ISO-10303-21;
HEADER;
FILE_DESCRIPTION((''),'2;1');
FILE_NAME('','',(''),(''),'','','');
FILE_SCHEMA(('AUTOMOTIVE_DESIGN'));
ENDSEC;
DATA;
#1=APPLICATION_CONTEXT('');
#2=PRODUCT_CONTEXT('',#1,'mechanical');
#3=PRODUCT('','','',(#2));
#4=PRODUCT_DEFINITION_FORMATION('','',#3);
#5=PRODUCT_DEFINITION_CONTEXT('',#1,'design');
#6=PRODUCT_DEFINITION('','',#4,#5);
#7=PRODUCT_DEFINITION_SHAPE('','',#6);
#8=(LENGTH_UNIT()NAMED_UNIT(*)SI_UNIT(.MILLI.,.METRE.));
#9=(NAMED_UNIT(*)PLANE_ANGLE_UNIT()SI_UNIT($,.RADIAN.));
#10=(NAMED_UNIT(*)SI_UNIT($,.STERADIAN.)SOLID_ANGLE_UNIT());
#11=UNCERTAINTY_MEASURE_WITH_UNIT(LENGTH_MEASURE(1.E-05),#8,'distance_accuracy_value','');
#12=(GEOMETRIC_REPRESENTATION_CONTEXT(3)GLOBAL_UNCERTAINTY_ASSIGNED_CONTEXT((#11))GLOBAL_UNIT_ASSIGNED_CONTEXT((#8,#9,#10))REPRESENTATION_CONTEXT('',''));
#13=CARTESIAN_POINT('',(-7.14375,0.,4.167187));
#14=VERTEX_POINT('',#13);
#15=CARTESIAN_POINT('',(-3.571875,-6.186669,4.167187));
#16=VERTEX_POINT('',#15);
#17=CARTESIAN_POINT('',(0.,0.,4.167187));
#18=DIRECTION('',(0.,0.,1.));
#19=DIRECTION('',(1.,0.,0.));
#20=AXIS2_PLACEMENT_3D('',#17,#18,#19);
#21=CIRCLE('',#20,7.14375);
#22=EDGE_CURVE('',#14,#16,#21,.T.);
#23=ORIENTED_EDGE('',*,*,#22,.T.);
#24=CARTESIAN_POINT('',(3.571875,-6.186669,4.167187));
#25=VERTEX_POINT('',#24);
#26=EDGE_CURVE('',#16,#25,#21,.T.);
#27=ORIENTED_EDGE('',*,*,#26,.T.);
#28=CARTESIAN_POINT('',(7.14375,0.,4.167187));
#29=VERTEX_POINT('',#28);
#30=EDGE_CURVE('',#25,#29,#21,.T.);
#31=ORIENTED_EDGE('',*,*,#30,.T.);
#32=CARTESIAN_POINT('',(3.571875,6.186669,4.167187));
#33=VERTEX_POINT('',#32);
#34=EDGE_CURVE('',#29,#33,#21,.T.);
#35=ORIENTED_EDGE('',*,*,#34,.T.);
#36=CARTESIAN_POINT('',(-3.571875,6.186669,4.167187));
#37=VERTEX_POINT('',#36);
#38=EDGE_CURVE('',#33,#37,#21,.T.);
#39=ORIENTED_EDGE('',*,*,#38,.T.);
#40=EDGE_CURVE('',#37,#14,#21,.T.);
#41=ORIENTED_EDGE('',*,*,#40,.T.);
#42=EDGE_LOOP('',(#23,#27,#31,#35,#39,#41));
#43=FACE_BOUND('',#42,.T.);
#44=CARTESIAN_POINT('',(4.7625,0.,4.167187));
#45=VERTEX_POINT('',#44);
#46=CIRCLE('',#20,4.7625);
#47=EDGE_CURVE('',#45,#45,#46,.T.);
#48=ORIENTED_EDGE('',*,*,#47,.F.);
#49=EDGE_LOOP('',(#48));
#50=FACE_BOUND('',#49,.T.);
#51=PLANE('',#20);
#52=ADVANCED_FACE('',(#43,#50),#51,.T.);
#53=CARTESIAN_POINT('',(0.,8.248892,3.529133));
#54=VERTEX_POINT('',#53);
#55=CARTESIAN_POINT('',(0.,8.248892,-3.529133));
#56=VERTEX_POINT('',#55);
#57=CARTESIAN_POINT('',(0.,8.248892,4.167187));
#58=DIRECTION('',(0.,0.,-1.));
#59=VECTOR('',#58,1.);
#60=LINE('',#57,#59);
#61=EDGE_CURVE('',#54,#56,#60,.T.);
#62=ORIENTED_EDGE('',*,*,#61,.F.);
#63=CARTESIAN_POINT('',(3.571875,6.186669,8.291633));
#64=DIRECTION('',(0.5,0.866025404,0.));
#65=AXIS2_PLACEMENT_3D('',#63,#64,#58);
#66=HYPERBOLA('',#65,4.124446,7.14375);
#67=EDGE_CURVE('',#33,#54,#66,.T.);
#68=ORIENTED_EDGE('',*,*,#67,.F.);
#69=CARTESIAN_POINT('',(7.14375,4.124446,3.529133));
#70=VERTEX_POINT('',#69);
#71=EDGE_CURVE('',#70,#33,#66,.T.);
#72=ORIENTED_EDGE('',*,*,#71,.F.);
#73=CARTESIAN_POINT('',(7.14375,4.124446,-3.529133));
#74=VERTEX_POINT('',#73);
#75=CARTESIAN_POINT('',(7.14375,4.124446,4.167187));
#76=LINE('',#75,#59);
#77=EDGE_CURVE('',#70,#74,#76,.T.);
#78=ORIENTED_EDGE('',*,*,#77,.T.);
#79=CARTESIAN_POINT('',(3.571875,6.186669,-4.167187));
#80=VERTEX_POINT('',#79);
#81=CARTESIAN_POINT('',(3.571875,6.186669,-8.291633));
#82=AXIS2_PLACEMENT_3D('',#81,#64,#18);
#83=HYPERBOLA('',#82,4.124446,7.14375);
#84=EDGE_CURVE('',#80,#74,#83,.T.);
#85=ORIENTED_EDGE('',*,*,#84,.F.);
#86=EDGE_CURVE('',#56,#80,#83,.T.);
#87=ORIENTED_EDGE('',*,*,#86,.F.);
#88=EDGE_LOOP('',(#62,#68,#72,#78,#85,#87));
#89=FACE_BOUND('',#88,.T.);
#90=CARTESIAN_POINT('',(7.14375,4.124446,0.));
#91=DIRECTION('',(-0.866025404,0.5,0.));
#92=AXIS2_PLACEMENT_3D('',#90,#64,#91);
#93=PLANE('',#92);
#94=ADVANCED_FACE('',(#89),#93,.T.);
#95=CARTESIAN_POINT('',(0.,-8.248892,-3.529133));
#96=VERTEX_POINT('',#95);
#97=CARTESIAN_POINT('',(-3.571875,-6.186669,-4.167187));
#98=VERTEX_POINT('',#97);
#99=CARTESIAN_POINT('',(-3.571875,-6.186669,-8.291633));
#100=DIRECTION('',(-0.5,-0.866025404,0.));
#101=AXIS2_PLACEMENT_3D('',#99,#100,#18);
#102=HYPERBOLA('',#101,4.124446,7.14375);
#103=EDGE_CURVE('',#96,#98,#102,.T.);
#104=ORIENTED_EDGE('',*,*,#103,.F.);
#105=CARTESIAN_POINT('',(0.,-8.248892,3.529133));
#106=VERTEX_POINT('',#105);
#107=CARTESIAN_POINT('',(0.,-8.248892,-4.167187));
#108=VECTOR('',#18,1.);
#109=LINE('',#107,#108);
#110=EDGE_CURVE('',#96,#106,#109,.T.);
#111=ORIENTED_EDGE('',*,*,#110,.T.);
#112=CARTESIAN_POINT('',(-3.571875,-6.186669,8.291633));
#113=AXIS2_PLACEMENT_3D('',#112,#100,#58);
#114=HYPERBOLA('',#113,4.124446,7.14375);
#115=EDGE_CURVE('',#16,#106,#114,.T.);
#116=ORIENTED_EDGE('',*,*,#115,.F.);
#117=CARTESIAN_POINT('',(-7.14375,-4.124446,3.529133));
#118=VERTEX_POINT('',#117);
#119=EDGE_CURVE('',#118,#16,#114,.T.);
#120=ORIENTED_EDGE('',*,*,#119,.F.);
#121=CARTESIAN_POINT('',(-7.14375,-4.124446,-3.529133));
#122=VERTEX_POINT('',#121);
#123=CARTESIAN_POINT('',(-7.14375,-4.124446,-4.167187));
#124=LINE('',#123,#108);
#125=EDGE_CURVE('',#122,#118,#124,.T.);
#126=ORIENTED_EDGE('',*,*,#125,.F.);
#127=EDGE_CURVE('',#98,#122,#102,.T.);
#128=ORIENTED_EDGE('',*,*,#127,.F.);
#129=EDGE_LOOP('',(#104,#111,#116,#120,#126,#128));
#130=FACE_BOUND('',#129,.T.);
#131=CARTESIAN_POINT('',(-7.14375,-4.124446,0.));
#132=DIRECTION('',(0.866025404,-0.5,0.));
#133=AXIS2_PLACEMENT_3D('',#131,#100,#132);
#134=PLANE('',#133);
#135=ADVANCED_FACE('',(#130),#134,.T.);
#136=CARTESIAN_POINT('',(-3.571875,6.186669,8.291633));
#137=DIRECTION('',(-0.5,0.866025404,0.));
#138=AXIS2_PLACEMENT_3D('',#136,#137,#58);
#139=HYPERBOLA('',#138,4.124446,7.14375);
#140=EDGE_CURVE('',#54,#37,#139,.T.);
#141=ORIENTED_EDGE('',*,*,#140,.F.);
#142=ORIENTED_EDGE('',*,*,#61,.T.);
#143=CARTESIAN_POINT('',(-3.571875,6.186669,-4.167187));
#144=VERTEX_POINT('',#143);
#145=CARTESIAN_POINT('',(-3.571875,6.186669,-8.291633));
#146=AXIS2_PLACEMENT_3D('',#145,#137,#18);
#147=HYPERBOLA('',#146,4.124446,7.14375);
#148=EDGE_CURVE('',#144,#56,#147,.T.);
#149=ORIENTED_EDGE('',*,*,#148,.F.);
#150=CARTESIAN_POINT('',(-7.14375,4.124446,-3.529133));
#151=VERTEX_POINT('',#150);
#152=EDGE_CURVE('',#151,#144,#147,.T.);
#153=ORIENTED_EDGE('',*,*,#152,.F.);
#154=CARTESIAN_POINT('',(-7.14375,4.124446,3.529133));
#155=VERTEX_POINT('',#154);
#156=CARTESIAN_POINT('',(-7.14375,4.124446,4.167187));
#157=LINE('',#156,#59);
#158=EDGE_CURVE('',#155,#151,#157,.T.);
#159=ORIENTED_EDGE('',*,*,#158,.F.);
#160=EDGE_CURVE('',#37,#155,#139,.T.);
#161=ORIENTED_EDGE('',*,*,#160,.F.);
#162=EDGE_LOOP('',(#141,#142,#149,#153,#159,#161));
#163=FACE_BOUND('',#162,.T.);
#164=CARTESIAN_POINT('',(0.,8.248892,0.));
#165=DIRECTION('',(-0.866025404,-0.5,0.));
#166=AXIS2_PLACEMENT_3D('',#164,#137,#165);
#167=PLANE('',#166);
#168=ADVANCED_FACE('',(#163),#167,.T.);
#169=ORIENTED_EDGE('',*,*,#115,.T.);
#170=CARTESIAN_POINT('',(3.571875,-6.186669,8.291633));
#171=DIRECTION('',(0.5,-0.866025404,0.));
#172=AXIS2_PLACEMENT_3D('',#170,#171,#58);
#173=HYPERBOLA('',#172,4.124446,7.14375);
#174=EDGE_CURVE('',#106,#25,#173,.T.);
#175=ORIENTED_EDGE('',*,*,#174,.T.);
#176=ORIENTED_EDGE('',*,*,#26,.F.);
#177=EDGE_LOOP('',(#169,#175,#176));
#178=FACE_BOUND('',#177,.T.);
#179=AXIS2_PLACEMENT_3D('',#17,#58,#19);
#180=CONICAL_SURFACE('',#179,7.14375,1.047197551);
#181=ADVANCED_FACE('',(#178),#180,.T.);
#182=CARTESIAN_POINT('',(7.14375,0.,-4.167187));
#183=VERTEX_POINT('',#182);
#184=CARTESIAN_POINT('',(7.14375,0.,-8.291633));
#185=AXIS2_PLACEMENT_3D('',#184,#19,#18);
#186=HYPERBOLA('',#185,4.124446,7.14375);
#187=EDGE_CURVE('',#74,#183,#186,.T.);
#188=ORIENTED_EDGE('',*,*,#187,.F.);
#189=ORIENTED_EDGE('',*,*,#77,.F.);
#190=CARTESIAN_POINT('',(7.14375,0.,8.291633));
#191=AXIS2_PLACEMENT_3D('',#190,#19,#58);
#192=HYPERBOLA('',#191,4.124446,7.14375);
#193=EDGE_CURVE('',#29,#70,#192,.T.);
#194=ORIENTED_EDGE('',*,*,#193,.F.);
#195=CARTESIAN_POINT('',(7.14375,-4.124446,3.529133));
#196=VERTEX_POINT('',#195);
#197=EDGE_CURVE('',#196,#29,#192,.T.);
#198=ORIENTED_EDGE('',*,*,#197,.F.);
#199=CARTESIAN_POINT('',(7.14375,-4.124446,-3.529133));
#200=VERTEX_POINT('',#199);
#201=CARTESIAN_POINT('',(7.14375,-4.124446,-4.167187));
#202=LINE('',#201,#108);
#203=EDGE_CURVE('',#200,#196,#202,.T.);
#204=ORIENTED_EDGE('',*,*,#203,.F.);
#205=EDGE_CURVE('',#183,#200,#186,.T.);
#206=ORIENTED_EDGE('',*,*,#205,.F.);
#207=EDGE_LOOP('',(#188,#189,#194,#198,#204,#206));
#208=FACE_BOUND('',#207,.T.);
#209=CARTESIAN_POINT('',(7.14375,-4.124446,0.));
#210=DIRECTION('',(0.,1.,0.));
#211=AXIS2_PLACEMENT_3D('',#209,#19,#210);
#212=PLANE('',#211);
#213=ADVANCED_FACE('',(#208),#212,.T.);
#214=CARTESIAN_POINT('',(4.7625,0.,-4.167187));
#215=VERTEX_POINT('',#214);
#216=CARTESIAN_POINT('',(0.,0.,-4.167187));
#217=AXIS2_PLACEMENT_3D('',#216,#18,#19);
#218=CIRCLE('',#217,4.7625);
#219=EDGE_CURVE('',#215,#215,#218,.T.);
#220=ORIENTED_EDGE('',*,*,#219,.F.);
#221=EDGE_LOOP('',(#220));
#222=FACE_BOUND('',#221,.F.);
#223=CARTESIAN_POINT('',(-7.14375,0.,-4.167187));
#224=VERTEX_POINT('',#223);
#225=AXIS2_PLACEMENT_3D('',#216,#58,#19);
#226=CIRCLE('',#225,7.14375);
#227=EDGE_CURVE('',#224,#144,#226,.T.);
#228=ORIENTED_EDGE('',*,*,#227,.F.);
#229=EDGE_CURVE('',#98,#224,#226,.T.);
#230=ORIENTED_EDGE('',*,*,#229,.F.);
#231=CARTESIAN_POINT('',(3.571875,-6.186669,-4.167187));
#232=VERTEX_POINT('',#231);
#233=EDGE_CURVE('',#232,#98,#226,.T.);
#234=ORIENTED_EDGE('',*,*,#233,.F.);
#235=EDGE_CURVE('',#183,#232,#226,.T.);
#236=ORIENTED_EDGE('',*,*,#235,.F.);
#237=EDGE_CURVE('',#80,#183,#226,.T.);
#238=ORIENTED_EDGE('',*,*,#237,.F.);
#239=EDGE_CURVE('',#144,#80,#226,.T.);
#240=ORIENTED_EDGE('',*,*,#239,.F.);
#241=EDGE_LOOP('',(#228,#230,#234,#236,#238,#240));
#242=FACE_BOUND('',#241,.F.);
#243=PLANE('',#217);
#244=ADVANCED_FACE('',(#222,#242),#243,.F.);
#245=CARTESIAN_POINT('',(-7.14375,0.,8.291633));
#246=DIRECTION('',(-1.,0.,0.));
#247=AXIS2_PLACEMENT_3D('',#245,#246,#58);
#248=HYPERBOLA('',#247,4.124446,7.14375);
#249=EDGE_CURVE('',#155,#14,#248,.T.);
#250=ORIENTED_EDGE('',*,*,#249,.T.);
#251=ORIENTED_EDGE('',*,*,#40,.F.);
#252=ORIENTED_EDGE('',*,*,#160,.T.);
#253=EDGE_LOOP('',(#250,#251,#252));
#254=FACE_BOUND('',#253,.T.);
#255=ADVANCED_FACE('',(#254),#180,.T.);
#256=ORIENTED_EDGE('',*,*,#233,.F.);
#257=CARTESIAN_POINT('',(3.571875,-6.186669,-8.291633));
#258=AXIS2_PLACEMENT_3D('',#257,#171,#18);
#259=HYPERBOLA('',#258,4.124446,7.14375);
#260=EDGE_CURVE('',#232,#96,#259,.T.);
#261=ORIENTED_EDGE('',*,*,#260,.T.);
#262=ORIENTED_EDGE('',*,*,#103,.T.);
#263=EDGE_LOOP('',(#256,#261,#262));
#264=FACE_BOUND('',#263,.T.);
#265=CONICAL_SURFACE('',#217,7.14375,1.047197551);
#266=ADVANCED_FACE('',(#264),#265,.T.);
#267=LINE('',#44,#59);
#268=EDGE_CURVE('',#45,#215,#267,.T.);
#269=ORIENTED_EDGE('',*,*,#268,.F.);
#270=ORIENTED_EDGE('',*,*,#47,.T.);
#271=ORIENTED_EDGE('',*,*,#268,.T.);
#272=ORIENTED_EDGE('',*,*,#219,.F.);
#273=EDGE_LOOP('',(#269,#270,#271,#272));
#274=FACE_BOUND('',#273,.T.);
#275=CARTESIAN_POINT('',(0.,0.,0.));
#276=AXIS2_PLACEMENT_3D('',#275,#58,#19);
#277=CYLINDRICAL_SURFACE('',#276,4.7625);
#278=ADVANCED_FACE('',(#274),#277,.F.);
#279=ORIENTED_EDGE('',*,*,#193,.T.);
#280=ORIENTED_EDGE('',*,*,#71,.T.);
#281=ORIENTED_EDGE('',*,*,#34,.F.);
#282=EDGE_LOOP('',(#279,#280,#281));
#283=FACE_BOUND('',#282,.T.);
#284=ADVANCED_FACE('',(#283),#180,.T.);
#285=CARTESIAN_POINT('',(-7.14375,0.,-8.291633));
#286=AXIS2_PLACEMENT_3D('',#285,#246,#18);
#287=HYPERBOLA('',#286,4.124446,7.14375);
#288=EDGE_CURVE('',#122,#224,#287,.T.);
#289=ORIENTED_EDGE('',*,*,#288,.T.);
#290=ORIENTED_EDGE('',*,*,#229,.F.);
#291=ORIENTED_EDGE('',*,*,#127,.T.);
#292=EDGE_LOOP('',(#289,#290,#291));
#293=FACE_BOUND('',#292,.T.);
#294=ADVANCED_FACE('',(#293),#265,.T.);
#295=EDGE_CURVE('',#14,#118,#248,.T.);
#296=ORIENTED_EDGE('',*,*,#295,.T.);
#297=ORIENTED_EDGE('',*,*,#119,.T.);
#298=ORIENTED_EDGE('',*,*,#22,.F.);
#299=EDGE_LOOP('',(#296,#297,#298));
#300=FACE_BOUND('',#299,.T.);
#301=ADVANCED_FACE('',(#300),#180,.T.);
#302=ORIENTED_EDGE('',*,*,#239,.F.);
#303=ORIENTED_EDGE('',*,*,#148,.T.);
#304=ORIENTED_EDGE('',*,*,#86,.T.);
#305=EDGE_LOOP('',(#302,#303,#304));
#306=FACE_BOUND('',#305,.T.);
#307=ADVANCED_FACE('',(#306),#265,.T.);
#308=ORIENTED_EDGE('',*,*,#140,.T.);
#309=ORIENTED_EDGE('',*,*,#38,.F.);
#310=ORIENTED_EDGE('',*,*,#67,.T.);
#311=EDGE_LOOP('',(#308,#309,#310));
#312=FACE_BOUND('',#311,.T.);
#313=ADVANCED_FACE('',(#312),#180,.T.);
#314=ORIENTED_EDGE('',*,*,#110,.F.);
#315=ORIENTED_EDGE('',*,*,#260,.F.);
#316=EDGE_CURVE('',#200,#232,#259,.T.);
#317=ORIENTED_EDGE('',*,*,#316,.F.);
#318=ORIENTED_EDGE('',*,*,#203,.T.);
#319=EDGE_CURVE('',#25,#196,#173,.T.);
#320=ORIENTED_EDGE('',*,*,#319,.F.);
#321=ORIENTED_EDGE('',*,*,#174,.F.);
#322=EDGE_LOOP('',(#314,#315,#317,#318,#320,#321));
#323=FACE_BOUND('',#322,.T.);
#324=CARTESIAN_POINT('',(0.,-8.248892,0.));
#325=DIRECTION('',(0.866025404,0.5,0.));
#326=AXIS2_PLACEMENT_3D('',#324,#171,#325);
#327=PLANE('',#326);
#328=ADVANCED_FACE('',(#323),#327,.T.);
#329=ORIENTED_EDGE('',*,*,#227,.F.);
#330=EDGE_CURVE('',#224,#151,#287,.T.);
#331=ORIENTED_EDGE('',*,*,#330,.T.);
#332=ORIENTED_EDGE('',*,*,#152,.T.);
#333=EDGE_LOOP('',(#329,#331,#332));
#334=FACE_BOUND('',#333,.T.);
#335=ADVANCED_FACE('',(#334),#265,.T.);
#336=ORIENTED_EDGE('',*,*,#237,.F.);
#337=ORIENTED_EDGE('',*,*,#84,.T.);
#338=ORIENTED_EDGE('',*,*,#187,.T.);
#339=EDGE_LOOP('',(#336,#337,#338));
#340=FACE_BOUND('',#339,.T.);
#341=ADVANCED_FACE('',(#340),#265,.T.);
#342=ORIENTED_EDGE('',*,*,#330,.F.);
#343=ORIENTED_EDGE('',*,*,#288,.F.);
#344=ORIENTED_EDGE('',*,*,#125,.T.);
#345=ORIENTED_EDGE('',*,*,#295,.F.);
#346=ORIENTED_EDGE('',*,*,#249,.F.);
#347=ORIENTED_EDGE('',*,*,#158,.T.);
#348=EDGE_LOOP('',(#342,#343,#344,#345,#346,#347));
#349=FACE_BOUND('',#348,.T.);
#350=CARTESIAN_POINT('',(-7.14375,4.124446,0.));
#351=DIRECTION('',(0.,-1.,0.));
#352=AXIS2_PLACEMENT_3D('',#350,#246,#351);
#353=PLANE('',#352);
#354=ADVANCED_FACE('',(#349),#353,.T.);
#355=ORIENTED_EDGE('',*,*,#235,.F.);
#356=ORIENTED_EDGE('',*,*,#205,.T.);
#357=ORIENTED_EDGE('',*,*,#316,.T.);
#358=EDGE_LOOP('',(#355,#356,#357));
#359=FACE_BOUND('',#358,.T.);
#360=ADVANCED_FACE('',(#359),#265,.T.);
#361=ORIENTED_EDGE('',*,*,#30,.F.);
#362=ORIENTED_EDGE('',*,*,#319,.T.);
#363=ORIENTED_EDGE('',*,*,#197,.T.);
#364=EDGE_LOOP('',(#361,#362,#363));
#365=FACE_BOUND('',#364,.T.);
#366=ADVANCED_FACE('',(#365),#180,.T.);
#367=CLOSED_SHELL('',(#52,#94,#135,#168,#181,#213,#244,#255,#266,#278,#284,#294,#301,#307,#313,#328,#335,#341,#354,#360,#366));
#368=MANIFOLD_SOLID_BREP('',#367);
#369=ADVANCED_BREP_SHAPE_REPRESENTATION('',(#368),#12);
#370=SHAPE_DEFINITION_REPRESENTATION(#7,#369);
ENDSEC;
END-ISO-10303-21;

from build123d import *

# Parameters (mm, degrees)
SKETCH1_R               = 4.7625
EXTRUDE1_DEPTH          = 4.1671875
SKETCH7_OUTSIDE_W       = 108.948
SKETCH7_OUTSIDE_H       = 111.158
SKETCH7_OUTSIDE_R       = 7.14375
EXTRUDE2_DEPTH          = 25.4
EXTRUDE2_DRAFT          = -60
MIRROR1_COPY_1_SKETCH_W = 108.948
MIRROR1_COPY_1_SKETCH_H = 111.158
MIRROR1_COPY_1_SKETCH_R = 7.14375
MIRROR1_COPY_1_DEPTH    = 25.4
MIRROR1_COPY_1_DRAFT    = -60


with BuildPart() as part:
    # Sketch1 → Extrude1 (new, symmetric)
    with BuildSketch(Plane.XY):
        Polygon((-7.14375, 4.124445986), (-7.14375, -4.124445986), (0, -8.248891971), (7.14375, -4.124445986), (7.14375, 4.124445986), (0, 8.248891971), align=None)
        Circle(SKETCH1_R, mode=Mode.SUBTRACT)
    extrude(amount=EXTRUDE1_DEPTH, both=True)


with BuildPart() as extrude2_tool:
    # Sketch7 outside → Extrude2 (with draft: the straight prism first)
    with BuildSketch(Plane.XY.offset(4.1671875)):
        Rectangle(SKETCH7_OUTSIDE_W, SKETCH7_OUTSIDE_H)
        Circle(SKETCH7_OUTSIDE_R, mode=Mode.SUBTRACT)
    extrude(amount=-EXTRUDE2_DEPTH)
    # Extrude2: the draft: its side faces are tilted about the plane it starts from
    extrude2_sides = [extrude2_tool.faces().sort_by_distance(p)[0] for p in [
        (0, -55.579, -8.5328125),
        (54.474, 0, -8.5328125),
        (0, 55.579, -8.5328125),
        (-54.474, 0, -8.5328125),
        (-7.14375, 0, -8.5328125),
    ]]
    draft(extrude2_sides, Plane.XY.offset(4.1671875), EXTRUDE2_DRAFT)


with BuildPart() as part_1:
    add(part.part)

    # Extrude2: cut by extrude2_tool
    add(extrude2_tool.part, mode=Mode.SUBTRACT)


with BuildPart() as mirror1_copy_1_tool:
    # Mirror1 copy 1 sketch → Mirror1 copy 1 (with draft: the straight prism first)
    with BuildSketch(Plane(origin=(0, 0, -4.1671875), x_dir=(1, 0, 0), z_dir=(0, 0, -1))):
        Rectangle(MIRROR1_COPY_1_SKETCH_W, MIRROR1_COPY_1_SKETCH_H)
        Circle(MIRROR1_COPY_1_SKETCH_R, mode=Mode.SUBTRACT)
    extrude(amount=-MIRROR1_COPY_1_DEPTH)
    # Mirror1 copy 1: the draft: its side faces are tilted about the plane it starts from
    mirror1_copy_1_sides = [mirror1_copy_1_tool.faces().sort_by_distance(p)[0] for p in [
        (0, -55.579, 8.5328125),
        (54.474, 0, 8.5328125),
        (0, 55.579, 8.5328125),
        (-54.474, 0, 8.5328125),
        (-7.14375, 0, 8.5328125),
    ]]
    draft(mirror1_copy_1_sides, Plane(origin=(0, 0, -4.1671875), x_dir=(1, 0, 0), z_dir=(0, 0, -1)), MIRROR1_COPY_1_DRAFT)


with BuildPart() as part_2:
    add(part_1.part)

    # Mirror1 copy 1: cut by mirror1_copy_1_tool
    add(mirror1_copy_1_tool.part, mode=Mode.SUBTRACT)


solid = part_2.part
